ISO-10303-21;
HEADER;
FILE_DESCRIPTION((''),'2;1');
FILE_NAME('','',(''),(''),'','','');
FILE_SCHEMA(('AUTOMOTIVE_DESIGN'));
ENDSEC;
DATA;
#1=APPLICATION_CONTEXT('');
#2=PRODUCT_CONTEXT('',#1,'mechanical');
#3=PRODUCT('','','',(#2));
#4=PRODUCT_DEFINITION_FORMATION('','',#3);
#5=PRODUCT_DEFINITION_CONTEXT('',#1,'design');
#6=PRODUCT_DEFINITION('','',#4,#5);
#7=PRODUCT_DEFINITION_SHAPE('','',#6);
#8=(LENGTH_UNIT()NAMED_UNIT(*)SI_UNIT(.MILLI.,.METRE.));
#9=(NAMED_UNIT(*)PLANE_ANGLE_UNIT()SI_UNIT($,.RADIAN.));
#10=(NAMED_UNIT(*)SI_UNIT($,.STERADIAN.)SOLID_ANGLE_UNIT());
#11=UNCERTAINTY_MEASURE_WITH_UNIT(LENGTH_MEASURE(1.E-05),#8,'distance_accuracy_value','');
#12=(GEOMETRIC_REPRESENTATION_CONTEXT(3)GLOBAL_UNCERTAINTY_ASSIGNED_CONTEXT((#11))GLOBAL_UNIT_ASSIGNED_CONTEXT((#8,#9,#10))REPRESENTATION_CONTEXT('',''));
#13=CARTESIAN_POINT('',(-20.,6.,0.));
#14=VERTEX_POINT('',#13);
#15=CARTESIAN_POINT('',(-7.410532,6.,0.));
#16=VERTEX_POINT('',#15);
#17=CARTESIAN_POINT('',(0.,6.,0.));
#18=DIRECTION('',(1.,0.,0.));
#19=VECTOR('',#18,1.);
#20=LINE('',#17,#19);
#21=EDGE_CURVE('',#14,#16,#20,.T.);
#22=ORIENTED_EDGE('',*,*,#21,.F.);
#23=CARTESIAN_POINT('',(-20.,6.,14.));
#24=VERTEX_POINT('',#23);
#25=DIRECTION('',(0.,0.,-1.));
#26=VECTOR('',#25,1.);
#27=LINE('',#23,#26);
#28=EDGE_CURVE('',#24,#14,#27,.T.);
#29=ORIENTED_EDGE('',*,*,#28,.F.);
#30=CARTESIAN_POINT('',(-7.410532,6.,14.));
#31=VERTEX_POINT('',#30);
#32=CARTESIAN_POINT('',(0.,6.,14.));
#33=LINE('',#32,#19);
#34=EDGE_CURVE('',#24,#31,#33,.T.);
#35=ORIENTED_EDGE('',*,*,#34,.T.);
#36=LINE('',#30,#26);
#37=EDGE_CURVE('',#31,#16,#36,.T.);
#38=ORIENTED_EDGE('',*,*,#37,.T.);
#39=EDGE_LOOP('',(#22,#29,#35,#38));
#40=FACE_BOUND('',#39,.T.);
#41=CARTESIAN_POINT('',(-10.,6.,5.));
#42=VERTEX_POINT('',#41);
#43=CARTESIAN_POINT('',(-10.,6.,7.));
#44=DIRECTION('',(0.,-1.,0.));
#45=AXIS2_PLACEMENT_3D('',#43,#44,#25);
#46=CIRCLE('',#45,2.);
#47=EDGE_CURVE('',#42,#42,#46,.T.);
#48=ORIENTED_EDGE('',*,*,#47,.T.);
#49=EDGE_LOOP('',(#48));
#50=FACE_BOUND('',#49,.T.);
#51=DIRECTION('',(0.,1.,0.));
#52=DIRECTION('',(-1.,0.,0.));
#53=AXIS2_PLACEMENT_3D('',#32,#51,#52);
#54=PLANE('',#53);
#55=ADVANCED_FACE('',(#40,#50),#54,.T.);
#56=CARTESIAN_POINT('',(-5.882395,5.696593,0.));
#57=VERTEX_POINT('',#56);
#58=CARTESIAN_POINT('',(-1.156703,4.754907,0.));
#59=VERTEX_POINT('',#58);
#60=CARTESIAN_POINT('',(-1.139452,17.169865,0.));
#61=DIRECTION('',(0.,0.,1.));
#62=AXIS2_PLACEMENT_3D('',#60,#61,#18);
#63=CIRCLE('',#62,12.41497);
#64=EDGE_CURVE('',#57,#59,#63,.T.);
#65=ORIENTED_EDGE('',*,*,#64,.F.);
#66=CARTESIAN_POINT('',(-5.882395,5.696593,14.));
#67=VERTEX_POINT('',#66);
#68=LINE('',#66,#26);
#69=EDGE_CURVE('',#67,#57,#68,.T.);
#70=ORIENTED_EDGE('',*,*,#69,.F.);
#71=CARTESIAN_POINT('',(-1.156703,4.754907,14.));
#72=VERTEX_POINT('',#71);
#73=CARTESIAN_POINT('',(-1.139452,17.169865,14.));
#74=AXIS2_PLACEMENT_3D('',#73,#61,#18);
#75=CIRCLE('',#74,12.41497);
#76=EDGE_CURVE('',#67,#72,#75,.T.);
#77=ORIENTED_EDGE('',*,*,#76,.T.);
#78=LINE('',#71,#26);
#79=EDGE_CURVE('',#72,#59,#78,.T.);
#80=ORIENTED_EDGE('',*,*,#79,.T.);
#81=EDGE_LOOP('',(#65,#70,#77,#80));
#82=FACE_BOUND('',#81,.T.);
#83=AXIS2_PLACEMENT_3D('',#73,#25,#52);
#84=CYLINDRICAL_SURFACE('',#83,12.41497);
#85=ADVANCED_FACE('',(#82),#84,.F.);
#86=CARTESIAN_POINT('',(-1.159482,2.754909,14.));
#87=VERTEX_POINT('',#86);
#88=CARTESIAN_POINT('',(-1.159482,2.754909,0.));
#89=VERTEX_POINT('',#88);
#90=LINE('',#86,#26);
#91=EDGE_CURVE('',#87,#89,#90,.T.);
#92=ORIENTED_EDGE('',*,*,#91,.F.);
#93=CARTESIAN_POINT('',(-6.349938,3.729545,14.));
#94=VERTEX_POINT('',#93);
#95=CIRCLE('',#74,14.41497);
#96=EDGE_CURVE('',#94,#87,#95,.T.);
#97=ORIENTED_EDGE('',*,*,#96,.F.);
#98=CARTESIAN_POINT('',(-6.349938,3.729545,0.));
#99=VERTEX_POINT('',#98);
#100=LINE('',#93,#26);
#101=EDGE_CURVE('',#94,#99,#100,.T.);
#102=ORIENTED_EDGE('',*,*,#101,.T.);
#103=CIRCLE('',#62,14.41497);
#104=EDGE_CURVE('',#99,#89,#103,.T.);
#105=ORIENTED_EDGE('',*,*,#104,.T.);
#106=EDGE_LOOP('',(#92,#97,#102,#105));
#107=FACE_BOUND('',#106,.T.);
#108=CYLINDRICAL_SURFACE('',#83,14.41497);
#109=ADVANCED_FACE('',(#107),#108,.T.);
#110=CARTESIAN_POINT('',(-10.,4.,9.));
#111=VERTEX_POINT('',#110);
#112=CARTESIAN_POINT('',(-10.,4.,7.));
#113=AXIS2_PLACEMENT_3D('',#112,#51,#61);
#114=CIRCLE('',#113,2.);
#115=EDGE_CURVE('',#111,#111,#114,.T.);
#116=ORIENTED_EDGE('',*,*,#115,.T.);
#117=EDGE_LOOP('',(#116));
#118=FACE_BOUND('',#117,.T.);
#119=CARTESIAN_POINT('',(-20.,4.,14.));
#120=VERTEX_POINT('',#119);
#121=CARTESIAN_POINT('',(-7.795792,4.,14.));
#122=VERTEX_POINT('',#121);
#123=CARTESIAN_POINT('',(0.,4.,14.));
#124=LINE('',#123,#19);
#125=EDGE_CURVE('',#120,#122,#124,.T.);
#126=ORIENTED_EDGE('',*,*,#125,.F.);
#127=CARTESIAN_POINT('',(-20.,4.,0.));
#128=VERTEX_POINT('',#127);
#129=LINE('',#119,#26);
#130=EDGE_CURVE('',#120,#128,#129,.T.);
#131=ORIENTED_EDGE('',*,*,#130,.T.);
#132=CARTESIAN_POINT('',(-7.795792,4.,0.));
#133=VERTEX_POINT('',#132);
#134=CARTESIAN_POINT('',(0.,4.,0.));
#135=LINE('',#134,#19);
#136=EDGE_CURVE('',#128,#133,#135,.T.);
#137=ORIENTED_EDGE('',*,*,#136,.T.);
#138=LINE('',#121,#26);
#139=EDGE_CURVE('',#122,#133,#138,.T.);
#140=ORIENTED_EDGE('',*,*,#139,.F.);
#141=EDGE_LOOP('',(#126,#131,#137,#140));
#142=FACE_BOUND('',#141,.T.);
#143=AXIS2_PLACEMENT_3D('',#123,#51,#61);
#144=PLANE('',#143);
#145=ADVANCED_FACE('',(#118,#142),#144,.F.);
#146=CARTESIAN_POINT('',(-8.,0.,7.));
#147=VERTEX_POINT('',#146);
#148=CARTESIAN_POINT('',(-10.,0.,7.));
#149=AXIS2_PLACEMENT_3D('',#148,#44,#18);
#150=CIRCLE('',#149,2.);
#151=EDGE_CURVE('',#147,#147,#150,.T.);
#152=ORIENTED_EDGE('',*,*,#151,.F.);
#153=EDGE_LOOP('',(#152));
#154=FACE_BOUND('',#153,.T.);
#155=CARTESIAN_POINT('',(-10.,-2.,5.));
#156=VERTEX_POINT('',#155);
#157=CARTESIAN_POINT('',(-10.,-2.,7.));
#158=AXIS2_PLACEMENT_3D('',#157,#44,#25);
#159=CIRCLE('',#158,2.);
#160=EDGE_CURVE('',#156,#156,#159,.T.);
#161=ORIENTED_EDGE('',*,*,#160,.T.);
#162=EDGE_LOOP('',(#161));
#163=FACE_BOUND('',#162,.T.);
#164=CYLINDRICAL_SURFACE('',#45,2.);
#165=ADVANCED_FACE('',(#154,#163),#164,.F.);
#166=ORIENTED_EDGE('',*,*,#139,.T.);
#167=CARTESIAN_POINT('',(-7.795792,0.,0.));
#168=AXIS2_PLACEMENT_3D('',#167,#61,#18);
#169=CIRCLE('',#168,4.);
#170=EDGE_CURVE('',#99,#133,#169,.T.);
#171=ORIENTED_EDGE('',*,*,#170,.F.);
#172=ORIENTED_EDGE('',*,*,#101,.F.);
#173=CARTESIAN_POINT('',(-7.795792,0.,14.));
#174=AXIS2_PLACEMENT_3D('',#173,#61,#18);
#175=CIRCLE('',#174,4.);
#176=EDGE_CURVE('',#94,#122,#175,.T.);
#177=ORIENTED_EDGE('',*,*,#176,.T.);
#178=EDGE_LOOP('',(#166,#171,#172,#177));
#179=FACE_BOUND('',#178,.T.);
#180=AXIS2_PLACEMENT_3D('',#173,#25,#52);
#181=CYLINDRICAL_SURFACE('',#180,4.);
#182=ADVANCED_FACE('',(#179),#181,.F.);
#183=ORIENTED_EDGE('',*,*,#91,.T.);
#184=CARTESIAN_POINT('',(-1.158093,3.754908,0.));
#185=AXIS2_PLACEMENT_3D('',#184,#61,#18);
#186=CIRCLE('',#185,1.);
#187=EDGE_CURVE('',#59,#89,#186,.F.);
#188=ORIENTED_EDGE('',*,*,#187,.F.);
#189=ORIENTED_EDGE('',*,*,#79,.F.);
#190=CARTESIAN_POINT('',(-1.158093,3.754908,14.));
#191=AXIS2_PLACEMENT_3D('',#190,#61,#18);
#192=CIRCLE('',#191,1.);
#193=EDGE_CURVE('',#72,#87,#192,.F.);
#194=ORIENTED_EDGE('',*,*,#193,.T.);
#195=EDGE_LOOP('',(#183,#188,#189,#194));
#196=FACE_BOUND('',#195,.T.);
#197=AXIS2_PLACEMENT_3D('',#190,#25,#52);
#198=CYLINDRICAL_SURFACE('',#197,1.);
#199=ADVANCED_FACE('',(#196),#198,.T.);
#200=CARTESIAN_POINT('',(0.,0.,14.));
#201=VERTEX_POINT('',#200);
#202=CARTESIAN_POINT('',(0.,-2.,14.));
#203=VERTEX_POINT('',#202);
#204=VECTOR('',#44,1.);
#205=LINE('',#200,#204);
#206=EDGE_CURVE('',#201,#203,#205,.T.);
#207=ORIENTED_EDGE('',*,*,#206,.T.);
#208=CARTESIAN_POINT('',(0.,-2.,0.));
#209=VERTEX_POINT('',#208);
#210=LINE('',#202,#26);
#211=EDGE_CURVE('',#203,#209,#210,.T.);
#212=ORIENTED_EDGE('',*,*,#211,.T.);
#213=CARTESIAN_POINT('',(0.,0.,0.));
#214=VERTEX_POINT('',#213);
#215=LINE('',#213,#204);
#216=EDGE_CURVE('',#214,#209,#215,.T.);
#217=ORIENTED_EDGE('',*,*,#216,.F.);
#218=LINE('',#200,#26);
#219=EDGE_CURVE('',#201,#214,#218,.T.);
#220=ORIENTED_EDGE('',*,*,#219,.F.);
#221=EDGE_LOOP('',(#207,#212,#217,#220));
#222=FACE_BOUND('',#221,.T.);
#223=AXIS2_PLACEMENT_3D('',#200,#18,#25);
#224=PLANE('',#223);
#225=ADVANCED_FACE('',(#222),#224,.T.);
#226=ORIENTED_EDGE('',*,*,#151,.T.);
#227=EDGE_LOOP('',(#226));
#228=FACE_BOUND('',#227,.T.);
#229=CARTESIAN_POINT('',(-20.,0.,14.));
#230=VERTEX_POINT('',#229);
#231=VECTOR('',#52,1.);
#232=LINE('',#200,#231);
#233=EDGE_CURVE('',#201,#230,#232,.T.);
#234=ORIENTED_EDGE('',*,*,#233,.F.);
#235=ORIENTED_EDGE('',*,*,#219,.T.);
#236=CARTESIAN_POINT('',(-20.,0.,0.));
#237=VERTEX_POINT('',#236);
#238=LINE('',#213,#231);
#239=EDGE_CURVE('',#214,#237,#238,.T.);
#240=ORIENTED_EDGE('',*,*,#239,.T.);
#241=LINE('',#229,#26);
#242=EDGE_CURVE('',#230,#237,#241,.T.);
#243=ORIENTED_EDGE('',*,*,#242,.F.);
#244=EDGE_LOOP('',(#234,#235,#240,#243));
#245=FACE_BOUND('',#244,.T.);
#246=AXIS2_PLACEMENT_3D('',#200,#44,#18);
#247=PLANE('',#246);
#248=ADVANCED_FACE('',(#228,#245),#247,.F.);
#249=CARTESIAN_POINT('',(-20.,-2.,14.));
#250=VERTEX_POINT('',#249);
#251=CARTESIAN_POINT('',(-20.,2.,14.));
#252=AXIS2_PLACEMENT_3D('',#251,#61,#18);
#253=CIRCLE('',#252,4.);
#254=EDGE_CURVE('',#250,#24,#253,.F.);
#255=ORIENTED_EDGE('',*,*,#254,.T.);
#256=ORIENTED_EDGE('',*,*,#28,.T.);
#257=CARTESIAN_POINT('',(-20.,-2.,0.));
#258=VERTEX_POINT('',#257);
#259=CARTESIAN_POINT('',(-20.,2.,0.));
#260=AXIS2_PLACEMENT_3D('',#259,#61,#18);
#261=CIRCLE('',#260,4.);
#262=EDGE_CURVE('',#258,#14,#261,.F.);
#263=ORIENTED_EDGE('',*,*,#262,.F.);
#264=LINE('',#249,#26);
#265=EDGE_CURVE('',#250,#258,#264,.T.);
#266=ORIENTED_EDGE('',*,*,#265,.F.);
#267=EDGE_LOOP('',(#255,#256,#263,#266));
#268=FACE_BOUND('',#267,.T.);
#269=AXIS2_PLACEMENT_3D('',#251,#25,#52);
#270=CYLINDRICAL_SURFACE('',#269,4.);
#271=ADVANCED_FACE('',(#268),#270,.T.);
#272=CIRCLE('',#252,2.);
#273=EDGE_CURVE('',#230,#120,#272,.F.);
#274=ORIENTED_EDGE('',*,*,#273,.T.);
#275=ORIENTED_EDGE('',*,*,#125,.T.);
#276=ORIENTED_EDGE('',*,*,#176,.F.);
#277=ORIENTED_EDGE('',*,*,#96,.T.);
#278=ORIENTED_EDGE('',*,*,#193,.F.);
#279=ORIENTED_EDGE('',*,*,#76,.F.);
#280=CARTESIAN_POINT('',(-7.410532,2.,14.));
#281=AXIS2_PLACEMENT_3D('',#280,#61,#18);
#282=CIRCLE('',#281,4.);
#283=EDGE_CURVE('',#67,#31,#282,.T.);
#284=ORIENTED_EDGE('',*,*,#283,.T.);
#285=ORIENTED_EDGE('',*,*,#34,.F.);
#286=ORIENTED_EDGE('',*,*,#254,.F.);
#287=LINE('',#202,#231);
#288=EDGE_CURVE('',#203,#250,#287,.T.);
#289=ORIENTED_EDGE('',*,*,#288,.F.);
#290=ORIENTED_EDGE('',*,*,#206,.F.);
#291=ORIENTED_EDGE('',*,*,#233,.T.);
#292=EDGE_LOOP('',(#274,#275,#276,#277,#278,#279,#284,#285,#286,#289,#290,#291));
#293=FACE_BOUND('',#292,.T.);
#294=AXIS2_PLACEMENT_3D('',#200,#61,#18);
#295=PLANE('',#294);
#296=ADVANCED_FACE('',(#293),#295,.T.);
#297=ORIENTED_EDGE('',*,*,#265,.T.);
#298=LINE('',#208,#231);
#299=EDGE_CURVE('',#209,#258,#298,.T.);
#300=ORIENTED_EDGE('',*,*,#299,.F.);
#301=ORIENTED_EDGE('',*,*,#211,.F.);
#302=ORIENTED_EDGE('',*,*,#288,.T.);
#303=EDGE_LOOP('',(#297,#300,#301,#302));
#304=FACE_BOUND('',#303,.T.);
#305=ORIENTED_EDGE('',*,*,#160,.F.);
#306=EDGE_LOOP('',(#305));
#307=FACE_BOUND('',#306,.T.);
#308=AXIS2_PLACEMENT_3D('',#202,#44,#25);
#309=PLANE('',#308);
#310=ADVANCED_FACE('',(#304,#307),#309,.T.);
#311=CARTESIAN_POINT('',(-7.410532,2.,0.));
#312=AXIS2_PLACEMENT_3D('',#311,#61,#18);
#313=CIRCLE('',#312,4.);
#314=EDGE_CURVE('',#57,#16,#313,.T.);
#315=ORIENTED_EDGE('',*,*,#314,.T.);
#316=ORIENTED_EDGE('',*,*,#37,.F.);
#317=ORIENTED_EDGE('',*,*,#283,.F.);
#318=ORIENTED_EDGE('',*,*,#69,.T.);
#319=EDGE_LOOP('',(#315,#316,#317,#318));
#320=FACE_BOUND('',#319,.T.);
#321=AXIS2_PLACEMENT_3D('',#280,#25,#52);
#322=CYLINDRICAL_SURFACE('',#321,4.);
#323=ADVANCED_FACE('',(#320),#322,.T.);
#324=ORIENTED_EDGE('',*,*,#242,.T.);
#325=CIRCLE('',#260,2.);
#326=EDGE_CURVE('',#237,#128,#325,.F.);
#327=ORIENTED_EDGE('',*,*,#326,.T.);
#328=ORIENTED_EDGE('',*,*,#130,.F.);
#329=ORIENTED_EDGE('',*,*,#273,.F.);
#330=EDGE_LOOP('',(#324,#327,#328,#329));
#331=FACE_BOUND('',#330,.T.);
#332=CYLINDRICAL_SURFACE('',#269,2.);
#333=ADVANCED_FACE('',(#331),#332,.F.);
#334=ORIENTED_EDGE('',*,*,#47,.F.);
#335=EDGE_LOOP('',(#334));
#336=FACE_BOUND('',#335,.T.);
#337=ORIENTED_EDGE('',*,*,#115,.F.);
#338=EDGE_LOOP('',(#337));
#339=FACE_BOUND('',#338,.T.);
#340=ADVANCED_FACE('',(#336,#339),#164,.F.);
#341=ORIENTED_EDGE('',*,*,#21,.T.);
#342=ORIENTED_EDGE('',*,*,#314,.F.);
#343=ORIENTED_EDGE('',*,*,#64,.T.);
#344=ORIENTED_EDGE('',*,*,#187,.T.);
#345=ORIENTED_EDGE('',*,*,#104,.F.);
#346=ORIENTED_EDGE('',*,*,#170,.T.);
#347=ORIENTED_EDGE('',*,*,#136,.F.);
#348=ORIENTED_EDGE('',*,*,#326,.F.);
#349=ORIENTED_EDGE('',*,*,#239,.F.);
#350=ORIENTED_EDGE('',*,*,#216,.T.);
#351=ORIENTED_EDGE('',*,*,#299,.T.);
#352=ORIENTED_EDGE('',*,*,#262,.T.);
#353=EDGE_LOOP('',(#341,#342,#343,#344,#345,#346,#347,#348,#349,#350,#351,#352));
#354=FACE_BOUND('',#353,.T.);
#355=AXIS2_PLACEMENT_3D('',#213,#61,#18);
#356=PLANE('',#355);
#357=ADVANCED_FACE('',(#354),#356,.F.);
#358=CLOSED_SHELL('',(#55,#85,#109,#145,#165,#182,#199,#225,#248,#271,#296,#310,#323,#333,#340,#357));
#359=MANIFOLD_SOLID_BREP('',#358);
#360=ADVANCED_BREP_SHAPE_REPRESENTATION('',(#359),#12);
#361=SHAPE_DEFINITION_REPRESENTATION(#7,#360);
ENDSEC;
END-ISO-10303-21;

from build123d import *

# Parameters (mm, degrees)
BOSS_EXTRUDE1_DEPTH = 14
SKETCH2_R           = 2
CUT_EXTRUDE2_DEPTH  = 9


with BuildPart() as part:
    # Sketch1 → Boss-Extrude1 (new body)
    with BuildSketch(Plane.XY):
        with BuildLine():
            ThreePointArc((-0.158092835, 3.754907593), (-0.451477513, 3.047309694), (-1.159482409, 2.754908559))
            ThreePointArc((-1.159482409, 2.754908559), (-3.799725402, 3.002497057), (-6.349938035, 3.729544963))
            ThreePointArc((-6.349938035, 3.729544963), (-7.060326346, 3.93180492), (-7.795792236, 4))
            Line((-7.795792236, 4), (-20, 4))
            ThreePointArc((-20, 4), (-22, 2), (-20, 0))
            Line((-20, 0), (0, 0))
            Line((0, 0), (0, -2))
            Line((0, -2), (-20, -2))
            ThreePointArc((-20, -2), (-24, 2), (-20, 6))
            Line((-20, 6), (-7.410531978, 6))
            ThreePointArc((-7.410531978, 6), (-6.631548949, 5.923415023), (-5.882395119, 5.696592721))
            ThreePointArc((-5.882395119, 5.696592721), (-3.565674535, 4.994277462), (-1.156703262, 4.754906628))
            ThreePointArc((-1.156703262, 4.754906628), (-0.450494936, 4.461522915), (-0.158092835, 3.754907593))
        make_face()
    extrude(amount=BOSS_EXTRUDE1_DEPTH)

    # Sketch2 → Cut-Extrude2 (cut, through all)
    with BuildSketch(Plane(origin=(0, -2, 0), x_dir=(-1, 0, 0), z_dir=(0, -1, 0))):
        with Locations((10, -7)):
            Circle(SKETCH2_R)
    extrude(amount=-CUT_EXTRUDE2_DEPTH, mode=Mode.SUBTRACT)


solid = part.part
